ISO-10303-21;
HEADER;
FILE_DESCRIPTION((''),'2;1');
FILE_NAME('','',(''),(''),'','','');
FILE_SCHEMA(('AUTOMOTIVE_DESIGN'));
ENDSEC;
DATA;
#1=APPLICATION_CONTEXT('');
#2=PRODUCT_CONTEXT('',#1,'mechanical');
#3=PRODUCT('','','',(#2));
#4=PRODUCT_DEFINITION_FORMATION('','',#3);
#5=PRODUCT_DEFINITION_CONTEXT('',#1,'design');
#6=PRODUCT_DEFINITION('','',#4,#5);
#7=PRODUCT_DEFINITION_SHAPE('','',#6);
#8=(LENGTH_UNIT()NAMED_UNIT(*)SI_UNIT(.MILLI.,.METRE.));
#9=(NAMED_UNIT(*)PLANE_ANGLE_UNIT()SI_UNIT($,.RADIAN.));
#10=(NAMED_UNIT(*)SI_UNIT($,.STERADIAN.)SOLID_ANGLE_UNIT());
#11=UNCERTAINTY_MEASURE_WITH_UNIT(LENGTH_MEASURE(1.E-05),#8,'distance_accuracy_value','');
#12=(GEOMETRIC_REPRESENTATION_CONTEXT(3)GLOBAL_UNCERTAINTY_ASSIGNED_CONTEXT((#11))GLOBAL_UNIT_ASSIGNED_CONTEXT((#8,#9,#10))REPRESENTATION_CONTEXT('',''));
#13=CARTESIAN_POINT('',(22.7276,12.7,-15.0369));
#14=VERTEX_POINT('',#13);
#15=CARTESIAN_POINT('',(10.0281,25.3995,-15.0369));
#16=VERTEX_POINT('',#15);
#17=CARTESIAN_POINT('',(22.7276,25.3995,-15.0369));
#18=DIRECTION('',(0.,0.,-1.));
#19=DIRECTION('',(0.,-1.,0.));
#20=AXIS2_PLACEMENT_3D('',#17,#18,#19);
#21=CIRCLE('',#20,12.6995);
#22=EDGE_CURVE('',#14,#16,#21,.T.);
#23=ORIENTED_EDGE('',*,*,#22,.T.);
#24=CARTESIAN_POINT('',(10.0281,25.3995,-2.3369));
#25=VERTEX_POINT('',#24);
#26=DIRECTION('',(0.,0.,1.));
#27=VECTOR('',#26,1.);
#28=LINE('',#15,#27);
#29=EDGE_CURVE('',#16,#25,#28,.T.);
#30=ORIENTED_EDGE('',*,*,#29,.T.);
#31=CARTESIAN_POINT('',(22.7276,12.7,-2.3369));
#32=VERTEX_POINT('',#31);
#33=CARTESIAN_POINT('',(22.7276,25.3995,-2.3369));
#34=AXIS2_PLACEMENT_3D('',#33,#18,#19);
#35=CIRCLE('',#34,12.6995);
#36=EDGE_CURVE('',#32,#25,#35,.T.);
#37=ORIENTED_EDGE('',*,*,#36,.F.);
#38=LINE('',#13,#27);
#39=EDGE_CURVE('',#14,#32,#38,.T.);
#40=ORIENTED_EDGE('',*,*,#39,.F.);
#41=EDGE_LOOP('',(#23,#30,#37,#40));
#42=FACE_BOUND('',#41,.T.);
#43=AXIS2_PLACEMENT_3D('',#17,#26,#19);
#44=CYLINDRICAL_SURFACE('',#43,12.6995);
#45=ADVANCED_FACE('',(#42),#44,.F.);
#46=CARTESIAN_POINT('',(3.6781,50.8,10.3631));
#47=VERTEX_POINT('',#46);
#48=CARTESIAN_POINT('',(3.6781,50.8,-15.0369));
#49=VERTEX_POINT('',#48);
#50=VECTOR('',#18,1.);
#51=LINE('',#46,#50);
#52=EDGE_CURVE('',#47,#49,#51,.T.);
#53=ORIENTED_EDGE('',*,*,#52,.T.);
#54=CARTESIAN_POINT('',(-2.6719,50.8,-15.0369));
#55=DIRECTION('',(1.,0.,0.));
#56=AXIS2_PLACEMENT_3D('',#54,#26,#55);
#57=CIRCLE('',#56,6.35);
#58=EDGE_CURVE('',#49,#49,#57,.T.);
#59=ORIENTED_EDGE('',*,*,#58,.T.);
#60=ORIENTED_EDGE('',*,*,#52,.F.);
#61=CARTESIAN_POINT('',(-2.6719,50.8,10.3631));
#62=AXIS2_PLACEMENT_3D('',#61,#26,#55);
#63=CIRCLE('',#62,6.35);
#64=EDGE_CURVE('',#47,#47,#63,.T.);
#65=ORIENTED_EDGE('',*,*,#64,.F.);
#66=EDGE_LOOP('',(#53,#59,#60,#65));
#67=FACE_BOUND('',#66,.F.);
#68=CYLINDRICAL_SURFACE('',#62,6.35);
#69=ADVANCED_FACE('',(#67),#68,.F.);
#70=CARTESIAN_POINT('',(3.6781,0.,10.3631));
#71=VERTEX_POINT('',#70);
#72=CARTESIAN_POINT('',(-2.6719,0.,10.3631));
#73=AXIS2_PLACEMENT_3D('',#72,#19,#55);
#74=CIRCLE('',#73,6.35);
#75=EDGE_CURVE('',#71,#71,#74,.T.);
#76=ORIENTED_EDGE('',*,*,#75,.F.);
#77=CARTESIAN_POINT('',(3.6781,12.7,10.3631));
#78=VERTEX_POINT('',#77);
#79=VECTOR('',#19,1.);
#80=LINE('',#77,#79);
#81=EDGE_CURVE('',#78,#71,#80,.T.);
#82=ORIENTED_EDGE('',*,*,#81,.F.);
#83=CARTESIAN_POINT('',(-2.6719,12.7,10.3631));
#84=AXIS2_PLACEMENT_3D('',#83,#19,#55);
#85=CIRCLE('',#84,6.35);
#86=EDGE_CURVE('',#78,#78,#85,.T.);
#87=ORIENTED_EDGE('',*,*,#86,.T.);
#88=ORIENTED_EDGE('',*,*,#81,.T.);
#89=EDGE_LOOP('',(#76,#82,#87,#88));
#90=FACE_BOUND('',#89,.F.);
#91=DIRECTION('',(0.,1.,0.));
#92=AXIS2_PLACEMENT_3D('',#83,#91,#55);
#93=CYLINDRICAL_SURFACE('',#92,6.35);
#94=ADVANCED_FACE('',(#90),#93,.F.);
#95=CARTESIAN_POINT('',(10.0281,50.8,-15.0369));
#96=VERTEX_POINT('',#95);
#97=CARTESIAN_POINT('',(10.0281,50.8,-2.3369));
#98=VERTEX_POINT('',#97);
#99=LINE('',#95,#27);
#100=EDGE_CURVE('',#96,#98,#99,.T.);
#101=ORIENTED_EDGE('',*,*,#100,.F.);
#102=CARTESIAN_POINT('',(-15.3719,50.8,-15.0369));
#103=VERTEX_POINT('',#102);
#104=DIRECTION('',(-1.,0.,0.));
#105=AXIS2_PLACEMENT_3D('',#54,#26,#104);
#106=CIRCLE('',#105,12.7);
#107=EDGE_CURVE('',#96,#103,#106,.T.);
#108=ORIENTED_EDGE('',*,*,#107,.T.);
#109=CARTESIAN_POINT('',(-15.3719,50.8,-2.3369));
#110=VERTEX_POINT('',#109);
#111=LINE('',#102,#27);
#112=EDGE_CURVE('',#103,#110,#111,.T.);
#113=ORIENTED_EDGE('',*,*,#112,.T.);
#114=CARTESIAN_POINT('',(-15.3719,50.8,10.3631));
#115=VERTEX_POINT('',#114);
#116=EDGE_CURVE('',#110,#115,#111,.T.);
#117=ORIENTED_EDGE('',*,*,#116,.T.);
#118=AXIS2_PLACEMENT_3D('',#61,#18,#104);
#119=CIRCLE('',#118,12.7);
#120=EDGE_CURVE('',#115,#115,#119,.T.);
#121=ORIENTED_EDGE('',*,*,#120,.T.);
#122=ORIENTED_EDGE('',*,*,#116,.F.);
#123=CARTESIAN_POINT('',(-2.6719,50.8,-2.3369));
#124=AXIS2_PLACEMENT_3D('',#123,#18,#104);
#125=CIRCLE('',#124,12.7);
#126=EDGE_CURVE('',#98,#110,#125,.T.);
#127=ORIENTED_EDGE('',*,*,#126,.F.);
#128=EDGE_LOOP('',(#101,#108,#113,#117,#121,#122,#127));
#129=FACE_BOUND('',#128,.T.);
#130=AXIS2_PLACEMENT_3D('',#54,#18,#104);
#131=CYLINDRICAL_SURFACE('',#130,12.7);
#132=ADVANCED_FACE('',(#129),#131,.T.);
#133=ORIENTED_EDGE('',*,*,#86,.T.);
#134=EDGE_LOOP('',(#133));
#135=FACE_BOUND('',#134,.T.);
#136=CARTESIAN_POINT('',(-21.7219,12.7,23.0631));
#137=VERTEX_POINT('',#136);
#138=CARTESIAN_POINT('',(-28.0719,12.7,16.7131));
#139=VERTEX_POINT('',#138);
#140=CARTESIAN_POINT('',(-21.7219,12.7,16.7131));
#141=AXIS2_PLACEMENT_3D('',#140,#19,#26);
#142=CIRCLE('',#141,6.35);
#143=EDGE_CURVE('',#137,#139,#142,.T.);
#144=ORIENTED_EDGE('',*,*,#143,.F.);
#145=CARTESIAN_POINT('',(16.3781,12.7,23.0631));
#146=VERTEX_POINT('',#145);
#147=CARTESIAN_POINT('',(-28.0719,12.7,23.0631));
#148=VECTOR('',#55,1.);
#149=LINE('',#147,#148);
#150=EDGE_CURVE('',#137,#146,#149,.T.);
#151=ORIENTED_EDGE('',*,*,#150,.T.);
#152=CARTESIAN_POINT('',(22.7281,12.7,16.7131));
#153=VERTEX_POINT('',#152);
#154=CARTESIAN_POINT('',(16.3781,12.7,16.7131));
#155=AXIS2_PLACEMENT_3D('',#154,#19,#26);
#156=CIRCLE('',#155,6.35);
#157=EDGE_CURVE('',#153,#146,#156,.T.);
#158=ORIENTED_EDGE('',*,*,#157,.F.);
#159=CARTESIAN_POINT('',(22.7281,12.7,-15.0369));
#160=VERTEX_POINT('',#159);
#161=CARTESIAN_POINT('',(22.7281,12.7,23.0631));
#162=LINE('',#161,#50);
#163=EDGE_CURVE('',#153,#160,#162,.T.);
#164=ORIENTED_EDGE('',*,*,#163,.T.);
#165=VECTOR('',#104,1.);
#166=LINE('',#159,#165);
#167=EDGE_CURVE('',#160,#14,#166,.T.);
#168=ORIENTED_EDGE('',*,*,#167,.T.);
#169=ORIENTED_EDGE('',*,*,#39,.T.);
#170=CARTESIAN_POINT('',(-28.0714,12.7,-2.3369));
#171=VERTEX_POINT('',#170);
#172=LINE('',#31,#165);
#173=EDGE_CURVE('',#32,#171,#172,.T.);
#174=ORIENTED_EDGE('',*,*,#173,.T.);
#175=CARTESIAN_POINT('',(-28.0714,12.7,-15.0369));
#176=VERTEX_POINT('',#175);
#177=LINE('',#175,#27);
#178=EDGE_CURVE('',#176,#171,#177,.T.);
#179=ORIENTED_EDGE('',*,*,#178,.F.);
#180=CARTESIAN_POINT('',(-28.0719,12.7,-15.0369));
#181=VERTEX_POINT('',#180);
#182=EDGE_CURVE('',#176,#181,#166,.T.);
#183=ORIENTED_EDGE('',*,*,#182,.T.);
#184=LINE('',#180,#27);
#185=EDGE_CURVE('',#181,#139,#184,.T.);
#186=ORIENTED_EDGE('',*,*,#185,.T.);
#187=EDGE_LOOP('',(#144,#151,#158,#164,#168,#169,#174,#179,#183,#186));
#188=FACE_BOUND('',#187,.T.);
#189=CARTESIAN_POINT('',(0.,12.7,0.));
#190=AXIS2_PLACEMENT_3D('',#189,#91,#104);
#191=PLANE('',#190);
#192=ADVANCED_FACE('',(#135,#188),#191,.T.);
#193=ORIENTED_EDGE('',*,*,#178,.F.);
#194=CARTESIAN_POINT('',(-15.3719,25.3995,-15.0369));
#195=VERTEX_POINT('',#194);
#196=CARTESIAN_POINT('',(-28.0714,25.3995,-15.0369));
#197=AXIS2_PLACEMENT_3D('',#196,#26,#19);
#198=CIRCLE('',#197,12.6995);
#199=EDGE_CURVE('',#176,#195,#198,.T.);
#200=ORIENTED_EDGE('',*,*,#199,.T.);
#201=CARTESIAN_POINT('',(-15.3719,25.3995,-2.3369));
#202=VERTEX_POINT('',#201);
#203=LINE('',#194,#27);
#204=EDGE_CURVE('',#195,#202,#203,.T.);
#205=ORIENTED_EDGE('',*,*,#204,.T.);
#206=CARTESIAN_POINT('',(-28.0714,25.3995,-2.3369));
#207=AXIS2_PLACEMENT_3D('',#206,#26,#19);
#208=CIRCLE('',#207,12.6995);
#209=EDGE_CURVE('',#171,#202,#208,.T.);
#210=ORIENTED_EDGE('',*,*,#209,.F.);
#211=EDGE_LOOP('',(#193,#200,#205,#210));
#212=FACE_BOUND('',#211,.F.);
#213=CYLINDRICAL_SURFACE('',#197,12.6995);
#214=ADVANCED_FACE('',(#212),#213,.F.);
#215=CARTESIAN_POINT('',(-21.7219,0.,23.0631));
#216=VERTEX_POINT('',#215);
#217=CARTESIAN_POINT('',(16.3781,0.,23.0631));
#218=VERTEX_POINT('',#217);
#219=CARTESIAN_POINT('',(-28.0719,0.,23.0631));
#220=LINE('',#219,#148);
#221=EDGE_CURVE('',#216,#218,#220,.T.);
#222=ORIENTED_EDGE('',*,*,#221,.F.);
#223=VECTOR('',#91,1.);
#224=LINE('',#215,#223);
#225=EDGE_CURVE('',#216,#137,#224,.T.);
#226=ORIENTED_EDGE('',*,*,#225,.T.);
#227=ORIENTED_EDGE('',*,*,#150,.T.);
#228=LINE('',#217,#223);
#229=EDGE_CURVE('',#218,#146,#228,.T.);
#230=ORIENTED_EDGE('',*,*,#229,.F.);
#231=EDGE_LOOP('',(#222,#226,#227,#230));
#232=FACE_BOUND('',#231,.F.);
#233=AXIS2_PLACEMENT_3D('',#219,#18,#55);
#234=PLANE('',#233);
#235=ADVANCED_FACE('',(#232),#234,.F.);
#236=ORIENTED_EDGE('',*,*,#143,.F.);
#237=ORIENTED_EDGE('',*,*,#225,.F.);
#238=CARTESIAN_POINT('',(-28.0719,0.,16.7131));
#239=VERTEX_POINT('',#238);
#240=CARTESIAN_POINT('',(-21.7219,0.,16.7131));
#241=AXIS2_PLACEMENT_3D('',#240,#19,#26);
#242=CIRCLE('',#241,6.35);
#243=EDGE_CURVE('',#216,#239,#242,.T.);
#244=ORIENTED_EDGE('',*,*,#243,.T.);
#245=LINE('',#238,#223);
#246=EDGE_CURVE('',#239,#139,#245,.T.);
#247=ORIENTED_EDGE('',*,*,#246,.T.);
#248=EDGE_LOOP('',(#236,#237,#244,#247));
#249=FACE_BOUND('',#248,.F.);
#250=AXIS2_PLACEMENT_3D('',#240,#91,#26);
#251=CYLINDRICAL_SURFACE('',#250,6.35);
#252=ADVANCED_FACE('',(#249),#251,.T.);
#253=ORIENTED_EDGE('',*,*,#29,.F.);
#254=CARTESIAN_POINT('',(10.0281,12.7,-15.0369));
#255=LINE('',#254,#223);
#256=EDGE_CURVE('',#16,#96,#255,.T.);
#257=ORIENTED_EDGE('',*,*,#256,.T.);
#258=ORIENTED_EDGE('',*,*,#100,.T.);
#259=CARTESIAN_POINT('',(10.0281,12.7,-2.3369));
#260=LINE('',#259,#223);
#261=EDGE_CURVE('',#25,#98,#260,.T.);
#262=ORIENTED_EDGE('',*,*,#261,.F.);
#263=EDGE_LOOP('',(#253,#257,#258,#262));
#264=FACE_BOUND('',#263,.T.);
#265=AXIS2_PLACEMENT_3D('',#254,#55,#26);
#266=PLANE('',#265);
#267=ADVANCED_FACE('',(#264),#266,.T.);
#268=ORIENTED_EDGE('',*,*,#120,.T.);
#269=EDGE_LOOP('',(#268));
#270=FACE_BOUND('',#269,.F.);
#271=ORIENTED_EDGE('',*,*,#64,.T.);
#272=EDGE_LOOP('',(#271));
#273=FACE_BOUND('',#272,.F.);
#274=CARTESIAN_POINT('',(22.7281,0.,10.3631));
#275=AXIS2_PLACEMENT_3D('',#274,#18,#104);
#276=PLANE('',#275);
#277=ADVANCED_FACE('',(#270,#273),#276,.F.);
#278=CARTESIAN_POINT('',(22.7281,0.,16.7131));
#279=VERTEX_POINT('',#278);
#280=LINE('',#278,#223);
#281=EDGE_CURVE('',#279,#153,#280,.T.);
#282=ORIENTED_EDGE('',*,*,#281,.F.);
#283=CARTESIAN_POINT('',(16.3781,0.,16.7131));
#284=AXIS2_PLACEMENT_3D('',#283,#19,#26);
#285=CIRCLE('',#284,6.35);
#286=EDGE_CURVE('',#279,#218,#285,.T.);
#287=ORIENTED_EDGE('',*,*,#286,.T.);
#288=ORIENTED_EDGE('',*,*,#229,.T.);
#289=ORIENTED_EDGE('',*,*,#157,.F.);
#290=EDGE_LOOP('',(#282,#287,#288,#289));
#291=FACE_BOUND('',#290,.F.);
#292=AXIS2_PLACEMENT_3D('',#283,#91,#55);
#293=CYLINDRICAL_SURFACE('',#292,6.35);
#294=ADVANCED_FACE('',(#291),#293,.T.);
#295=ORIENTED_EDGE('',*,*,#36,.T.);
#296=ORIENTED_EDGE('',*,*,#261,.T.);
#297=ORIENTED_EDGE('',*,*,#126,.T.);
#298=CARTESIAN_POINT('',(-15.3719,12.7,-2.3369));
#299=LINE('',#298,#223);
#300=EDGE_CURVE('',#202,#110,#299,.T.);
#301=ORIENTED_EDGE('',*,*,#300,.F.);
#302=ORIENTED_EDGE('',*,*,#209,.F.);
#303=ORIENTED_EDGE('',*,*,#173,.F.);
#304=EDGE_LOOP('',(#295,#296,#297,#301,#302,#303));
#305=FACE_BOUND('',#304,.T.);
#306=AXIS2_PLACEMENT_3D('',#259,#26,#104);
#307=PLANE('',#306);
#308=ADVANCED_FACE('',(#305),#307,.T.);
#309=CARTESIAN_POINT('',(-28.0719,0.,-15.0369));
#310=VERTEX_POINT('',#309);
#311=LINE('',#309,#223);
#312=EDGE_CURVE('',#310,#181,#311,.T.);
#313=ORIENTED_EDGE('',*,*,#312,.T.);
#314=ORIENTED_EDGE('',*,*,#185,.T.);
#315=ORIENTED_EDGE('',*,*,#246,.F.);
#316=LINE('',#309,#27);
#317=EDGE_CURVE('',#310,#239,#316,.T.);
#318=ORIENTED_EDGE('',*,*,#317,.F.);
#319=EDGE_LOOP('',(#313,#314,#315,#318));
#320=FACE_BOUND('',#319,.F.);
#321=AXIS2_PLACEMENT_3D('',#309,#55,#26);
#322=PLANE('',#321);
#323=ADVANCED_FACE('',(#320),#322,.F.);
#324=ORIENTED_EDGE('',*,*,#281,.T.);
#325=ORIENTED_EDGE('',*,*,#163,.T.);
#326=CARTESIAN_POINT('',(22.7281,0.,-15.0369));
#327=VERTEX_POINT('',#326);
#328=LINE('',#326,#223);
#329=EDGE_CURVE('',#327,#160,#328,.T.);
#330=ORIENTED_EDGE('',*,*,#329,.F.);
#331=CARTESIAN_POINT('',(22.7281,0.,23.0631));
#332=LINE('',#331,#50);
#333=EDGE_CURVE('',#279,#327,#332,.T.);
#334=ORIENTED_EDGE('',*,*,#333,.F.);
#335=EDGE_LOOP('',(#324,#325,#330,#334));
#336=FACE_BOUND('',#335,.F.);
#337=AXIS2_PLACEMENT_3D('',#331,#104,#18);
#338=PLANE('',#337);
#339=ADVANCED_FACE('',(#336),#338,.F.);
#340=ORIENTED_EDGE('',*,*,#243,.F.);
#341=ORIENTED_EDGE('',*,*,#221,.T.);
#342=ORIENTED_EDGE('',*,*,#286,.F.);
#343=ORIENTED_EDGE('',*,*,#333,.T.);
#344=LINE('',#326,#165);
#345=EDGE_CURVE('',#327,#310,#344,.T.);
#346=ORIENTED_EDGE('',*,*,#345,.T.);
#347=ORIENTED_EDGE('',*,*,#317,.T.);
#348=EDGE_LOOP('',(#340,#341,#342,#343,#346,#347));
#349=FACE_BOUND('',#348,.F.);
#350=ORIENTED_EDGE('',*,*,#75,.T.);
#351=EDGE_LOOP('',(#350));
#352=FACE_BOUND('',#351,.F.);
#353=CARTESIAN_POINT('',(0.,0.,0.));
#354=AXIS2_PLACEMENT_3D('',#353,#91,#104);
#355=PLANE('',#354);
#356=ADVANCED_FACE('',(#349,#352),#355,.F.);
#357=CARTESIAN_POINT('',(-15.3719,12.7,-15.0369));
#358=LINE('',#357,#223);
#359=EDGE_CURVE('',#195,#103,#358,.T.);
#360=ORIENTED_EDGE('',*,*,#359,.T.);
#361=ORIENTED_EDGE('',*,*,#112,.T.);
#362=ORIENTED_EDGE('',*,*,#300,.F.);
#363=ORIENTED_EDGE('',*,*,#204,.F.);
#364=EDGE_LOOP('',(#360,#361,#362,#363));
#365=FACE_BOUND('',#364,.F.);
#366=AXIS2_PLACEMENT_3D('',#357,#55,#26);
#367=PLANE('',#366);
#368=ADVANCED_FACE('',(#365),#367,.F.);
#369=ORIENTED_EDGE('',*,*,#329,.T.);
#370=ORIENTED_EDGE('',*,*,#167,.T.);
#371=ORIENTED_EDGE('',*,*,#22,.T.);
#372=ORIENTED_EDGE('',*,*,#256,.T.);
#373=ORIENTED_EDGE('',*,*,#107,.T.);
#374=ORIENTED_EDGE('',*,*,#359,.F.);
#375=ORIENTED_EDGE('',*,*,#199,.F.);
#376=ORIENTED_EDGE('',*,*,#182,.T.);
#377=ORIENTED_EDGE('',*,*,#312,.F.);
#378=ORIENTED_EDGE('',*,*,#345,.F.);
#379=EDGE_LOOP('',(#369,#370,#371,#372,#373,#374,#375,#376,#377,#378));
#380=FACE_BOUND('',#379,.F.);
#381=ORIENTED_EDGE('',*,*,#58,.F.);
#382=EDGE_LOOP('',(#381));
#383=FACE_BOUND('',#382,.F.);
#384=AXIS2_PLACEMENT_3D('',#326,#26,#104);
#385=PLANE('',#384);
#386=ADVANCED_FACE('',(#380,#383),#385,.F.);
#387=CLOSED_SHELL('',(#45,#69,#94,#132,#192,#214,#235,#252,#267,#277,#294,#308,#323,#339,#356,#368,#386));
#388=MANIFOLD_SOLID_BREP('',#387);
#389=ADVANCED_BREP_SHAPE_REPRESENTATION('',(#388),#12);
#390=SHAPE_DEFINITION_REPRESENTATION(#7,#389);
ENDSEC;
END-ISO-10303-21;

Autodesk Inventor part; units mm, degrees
ref_plane "YZ Plane" through (0, 0, 0) normal (1, 0, 0) x (0, 1, 0)
ref_plane "XZ Plane" through (0, 0, 0) normal (0, 1, 0) x (-1, 0, 0)
ref_plane "XY Plane" through (0, 0, 0) normal (0, 0, 1) x (1, 0, 0)
sketch "Sketch1" plane through (0, 0, 0) normal (0, 1, 0) x (-1, 0, 0)
  line L0 (28.0719, 23.0631) -> (-22.7281, 23.0631)
  line L1 (-22.7281, 23.0631) -> (-22.7281, -15.0369)
  line L2 (-22.7281, -15.0369) -> (28.0719, -15.0369)
  line L3 (28.0719, -15.0369) -> (28.0719, 23.0631)
  point P0 (0, 0)
  dimension "d0" = 50.8
  dimension "d1" = 38.1
extrude "Extrusion1" add sketch "Sketch1" along normal blind 12.7
sketch "Sketch2" plane through (0, 12.7, 0) normal (0, 1, 0) x (1, 0, 0)
  line L0 (22.7281, -23.0631) -> (22.7281, 15.0369) projected
  line L1 (22.7281, 15.0369) -> (10.0281, 15.0369)
  line L2 (10.0281, 15.0369) -> (10.0281, 2.3369)
  line L3 (10.0281, 2.3369) -> (22.7281, 2.3369)
  line L4 (22.7281, 2.3369) -> (22.7281, 15.0369)
  line L5 (22.7281, 15.0369) -> (-28.0719, 15.0369) projected
  line L6 (-28.0719, 15.0369) -> (-15.3719, 15.0369)
  line L7 (-15.3719, 15.0369) -> (-15.3719, 2.3369)
  line L8 (-15.3719, 2.3369) -> (-28.0719, 2.3369)
  line L9 (-28.0719, 2.3369) -> (-28.0719, 15.0369)
  line L10 (-15.3719, 15.0369) -> (10.0281, 15.0369)
  line L11 (10.0281, 15.0369) -> (10.0281, 2.3369)
  line L12 (10.0281, 2.3369) -> (-15.3719, 2.3369)
  line L13 (-15.3719, 2.3369) -> (-15.3719, 15.0369)
  point P0 (0, 0)
  dimension "d4" = 12.7
  dimension "d5" = 12.7
  dimension "d6" = 12.7
  dimension "d7" = 12.7
extrude "Extrusion2" add sketch "Sketch2" along normal blind 38.1 contours L12 L7 L5 L2
fillet "Fillet1" radius 12.7 1 edges at (10.0281, 12.7, -8.6869)
fillet "Fillet2" radius 12.7 1 edges at (-15.3719, 12.7, -8.6869)
sketch "Sketch3" plane through (22.7281, 0, -15.0369) normal (0, 0, -1) x (-1, 0, 0)
  line L0 (12.7, 25.4) -> (12.7, 50.8) projected
  line L1 (12.7, 50.8) -> (25.4, 50.8)
  line L2 (12.7, 50.8) -> (38.1, 50.8) projected
  circle A0 centre (25.4, 50.8) radius 12.7
  point P0 (22.7281, 0)
  dimension "d12" = 12.7
  dimension "d13" = 25.4
extrude "Extrusion3" add sketch "Sketch3" against normal blind 25.4
sketch "Sketch4" plane through (-2.6719, 50.8, 10.3631) normal (0, 0, 1) x (1, 0, 0)
  circle A0 centre (0, 0) radius 6.35
  point P0 (2.6719, -50.8)
  dimension "d16" = 12.7
extrude "Extrusion4" cut sketch "Sketch4" against normal blind 25.4
fillet "Fillet3" radius 6.35 1 edges at (22.7281, 6.35, 23.0631)
fillet "Fillet4" radius 6.35 1 edges at (-28.0719, 6.35, 23.0631)
sketch "Sketch6" plane through (0, 12.7, 0) normal (0, 1, 0) x (1, 0, 0)
  line L0 (-21.7219, -23.0631) -> (16.3781, -23.0631) projected
  line L1 (-2.6719, -23.0631) -> (-2.6719, -10.3631)
  circle A0 centre (-2.6719, -10.3631) radius 6.35
  point P0 (0, 0)
  dimension "d22" = 12.7
  dimension "d23" = 12.7
extrude "Extrusion5" cut sketch "Sketch6" against normal blind 25.4
